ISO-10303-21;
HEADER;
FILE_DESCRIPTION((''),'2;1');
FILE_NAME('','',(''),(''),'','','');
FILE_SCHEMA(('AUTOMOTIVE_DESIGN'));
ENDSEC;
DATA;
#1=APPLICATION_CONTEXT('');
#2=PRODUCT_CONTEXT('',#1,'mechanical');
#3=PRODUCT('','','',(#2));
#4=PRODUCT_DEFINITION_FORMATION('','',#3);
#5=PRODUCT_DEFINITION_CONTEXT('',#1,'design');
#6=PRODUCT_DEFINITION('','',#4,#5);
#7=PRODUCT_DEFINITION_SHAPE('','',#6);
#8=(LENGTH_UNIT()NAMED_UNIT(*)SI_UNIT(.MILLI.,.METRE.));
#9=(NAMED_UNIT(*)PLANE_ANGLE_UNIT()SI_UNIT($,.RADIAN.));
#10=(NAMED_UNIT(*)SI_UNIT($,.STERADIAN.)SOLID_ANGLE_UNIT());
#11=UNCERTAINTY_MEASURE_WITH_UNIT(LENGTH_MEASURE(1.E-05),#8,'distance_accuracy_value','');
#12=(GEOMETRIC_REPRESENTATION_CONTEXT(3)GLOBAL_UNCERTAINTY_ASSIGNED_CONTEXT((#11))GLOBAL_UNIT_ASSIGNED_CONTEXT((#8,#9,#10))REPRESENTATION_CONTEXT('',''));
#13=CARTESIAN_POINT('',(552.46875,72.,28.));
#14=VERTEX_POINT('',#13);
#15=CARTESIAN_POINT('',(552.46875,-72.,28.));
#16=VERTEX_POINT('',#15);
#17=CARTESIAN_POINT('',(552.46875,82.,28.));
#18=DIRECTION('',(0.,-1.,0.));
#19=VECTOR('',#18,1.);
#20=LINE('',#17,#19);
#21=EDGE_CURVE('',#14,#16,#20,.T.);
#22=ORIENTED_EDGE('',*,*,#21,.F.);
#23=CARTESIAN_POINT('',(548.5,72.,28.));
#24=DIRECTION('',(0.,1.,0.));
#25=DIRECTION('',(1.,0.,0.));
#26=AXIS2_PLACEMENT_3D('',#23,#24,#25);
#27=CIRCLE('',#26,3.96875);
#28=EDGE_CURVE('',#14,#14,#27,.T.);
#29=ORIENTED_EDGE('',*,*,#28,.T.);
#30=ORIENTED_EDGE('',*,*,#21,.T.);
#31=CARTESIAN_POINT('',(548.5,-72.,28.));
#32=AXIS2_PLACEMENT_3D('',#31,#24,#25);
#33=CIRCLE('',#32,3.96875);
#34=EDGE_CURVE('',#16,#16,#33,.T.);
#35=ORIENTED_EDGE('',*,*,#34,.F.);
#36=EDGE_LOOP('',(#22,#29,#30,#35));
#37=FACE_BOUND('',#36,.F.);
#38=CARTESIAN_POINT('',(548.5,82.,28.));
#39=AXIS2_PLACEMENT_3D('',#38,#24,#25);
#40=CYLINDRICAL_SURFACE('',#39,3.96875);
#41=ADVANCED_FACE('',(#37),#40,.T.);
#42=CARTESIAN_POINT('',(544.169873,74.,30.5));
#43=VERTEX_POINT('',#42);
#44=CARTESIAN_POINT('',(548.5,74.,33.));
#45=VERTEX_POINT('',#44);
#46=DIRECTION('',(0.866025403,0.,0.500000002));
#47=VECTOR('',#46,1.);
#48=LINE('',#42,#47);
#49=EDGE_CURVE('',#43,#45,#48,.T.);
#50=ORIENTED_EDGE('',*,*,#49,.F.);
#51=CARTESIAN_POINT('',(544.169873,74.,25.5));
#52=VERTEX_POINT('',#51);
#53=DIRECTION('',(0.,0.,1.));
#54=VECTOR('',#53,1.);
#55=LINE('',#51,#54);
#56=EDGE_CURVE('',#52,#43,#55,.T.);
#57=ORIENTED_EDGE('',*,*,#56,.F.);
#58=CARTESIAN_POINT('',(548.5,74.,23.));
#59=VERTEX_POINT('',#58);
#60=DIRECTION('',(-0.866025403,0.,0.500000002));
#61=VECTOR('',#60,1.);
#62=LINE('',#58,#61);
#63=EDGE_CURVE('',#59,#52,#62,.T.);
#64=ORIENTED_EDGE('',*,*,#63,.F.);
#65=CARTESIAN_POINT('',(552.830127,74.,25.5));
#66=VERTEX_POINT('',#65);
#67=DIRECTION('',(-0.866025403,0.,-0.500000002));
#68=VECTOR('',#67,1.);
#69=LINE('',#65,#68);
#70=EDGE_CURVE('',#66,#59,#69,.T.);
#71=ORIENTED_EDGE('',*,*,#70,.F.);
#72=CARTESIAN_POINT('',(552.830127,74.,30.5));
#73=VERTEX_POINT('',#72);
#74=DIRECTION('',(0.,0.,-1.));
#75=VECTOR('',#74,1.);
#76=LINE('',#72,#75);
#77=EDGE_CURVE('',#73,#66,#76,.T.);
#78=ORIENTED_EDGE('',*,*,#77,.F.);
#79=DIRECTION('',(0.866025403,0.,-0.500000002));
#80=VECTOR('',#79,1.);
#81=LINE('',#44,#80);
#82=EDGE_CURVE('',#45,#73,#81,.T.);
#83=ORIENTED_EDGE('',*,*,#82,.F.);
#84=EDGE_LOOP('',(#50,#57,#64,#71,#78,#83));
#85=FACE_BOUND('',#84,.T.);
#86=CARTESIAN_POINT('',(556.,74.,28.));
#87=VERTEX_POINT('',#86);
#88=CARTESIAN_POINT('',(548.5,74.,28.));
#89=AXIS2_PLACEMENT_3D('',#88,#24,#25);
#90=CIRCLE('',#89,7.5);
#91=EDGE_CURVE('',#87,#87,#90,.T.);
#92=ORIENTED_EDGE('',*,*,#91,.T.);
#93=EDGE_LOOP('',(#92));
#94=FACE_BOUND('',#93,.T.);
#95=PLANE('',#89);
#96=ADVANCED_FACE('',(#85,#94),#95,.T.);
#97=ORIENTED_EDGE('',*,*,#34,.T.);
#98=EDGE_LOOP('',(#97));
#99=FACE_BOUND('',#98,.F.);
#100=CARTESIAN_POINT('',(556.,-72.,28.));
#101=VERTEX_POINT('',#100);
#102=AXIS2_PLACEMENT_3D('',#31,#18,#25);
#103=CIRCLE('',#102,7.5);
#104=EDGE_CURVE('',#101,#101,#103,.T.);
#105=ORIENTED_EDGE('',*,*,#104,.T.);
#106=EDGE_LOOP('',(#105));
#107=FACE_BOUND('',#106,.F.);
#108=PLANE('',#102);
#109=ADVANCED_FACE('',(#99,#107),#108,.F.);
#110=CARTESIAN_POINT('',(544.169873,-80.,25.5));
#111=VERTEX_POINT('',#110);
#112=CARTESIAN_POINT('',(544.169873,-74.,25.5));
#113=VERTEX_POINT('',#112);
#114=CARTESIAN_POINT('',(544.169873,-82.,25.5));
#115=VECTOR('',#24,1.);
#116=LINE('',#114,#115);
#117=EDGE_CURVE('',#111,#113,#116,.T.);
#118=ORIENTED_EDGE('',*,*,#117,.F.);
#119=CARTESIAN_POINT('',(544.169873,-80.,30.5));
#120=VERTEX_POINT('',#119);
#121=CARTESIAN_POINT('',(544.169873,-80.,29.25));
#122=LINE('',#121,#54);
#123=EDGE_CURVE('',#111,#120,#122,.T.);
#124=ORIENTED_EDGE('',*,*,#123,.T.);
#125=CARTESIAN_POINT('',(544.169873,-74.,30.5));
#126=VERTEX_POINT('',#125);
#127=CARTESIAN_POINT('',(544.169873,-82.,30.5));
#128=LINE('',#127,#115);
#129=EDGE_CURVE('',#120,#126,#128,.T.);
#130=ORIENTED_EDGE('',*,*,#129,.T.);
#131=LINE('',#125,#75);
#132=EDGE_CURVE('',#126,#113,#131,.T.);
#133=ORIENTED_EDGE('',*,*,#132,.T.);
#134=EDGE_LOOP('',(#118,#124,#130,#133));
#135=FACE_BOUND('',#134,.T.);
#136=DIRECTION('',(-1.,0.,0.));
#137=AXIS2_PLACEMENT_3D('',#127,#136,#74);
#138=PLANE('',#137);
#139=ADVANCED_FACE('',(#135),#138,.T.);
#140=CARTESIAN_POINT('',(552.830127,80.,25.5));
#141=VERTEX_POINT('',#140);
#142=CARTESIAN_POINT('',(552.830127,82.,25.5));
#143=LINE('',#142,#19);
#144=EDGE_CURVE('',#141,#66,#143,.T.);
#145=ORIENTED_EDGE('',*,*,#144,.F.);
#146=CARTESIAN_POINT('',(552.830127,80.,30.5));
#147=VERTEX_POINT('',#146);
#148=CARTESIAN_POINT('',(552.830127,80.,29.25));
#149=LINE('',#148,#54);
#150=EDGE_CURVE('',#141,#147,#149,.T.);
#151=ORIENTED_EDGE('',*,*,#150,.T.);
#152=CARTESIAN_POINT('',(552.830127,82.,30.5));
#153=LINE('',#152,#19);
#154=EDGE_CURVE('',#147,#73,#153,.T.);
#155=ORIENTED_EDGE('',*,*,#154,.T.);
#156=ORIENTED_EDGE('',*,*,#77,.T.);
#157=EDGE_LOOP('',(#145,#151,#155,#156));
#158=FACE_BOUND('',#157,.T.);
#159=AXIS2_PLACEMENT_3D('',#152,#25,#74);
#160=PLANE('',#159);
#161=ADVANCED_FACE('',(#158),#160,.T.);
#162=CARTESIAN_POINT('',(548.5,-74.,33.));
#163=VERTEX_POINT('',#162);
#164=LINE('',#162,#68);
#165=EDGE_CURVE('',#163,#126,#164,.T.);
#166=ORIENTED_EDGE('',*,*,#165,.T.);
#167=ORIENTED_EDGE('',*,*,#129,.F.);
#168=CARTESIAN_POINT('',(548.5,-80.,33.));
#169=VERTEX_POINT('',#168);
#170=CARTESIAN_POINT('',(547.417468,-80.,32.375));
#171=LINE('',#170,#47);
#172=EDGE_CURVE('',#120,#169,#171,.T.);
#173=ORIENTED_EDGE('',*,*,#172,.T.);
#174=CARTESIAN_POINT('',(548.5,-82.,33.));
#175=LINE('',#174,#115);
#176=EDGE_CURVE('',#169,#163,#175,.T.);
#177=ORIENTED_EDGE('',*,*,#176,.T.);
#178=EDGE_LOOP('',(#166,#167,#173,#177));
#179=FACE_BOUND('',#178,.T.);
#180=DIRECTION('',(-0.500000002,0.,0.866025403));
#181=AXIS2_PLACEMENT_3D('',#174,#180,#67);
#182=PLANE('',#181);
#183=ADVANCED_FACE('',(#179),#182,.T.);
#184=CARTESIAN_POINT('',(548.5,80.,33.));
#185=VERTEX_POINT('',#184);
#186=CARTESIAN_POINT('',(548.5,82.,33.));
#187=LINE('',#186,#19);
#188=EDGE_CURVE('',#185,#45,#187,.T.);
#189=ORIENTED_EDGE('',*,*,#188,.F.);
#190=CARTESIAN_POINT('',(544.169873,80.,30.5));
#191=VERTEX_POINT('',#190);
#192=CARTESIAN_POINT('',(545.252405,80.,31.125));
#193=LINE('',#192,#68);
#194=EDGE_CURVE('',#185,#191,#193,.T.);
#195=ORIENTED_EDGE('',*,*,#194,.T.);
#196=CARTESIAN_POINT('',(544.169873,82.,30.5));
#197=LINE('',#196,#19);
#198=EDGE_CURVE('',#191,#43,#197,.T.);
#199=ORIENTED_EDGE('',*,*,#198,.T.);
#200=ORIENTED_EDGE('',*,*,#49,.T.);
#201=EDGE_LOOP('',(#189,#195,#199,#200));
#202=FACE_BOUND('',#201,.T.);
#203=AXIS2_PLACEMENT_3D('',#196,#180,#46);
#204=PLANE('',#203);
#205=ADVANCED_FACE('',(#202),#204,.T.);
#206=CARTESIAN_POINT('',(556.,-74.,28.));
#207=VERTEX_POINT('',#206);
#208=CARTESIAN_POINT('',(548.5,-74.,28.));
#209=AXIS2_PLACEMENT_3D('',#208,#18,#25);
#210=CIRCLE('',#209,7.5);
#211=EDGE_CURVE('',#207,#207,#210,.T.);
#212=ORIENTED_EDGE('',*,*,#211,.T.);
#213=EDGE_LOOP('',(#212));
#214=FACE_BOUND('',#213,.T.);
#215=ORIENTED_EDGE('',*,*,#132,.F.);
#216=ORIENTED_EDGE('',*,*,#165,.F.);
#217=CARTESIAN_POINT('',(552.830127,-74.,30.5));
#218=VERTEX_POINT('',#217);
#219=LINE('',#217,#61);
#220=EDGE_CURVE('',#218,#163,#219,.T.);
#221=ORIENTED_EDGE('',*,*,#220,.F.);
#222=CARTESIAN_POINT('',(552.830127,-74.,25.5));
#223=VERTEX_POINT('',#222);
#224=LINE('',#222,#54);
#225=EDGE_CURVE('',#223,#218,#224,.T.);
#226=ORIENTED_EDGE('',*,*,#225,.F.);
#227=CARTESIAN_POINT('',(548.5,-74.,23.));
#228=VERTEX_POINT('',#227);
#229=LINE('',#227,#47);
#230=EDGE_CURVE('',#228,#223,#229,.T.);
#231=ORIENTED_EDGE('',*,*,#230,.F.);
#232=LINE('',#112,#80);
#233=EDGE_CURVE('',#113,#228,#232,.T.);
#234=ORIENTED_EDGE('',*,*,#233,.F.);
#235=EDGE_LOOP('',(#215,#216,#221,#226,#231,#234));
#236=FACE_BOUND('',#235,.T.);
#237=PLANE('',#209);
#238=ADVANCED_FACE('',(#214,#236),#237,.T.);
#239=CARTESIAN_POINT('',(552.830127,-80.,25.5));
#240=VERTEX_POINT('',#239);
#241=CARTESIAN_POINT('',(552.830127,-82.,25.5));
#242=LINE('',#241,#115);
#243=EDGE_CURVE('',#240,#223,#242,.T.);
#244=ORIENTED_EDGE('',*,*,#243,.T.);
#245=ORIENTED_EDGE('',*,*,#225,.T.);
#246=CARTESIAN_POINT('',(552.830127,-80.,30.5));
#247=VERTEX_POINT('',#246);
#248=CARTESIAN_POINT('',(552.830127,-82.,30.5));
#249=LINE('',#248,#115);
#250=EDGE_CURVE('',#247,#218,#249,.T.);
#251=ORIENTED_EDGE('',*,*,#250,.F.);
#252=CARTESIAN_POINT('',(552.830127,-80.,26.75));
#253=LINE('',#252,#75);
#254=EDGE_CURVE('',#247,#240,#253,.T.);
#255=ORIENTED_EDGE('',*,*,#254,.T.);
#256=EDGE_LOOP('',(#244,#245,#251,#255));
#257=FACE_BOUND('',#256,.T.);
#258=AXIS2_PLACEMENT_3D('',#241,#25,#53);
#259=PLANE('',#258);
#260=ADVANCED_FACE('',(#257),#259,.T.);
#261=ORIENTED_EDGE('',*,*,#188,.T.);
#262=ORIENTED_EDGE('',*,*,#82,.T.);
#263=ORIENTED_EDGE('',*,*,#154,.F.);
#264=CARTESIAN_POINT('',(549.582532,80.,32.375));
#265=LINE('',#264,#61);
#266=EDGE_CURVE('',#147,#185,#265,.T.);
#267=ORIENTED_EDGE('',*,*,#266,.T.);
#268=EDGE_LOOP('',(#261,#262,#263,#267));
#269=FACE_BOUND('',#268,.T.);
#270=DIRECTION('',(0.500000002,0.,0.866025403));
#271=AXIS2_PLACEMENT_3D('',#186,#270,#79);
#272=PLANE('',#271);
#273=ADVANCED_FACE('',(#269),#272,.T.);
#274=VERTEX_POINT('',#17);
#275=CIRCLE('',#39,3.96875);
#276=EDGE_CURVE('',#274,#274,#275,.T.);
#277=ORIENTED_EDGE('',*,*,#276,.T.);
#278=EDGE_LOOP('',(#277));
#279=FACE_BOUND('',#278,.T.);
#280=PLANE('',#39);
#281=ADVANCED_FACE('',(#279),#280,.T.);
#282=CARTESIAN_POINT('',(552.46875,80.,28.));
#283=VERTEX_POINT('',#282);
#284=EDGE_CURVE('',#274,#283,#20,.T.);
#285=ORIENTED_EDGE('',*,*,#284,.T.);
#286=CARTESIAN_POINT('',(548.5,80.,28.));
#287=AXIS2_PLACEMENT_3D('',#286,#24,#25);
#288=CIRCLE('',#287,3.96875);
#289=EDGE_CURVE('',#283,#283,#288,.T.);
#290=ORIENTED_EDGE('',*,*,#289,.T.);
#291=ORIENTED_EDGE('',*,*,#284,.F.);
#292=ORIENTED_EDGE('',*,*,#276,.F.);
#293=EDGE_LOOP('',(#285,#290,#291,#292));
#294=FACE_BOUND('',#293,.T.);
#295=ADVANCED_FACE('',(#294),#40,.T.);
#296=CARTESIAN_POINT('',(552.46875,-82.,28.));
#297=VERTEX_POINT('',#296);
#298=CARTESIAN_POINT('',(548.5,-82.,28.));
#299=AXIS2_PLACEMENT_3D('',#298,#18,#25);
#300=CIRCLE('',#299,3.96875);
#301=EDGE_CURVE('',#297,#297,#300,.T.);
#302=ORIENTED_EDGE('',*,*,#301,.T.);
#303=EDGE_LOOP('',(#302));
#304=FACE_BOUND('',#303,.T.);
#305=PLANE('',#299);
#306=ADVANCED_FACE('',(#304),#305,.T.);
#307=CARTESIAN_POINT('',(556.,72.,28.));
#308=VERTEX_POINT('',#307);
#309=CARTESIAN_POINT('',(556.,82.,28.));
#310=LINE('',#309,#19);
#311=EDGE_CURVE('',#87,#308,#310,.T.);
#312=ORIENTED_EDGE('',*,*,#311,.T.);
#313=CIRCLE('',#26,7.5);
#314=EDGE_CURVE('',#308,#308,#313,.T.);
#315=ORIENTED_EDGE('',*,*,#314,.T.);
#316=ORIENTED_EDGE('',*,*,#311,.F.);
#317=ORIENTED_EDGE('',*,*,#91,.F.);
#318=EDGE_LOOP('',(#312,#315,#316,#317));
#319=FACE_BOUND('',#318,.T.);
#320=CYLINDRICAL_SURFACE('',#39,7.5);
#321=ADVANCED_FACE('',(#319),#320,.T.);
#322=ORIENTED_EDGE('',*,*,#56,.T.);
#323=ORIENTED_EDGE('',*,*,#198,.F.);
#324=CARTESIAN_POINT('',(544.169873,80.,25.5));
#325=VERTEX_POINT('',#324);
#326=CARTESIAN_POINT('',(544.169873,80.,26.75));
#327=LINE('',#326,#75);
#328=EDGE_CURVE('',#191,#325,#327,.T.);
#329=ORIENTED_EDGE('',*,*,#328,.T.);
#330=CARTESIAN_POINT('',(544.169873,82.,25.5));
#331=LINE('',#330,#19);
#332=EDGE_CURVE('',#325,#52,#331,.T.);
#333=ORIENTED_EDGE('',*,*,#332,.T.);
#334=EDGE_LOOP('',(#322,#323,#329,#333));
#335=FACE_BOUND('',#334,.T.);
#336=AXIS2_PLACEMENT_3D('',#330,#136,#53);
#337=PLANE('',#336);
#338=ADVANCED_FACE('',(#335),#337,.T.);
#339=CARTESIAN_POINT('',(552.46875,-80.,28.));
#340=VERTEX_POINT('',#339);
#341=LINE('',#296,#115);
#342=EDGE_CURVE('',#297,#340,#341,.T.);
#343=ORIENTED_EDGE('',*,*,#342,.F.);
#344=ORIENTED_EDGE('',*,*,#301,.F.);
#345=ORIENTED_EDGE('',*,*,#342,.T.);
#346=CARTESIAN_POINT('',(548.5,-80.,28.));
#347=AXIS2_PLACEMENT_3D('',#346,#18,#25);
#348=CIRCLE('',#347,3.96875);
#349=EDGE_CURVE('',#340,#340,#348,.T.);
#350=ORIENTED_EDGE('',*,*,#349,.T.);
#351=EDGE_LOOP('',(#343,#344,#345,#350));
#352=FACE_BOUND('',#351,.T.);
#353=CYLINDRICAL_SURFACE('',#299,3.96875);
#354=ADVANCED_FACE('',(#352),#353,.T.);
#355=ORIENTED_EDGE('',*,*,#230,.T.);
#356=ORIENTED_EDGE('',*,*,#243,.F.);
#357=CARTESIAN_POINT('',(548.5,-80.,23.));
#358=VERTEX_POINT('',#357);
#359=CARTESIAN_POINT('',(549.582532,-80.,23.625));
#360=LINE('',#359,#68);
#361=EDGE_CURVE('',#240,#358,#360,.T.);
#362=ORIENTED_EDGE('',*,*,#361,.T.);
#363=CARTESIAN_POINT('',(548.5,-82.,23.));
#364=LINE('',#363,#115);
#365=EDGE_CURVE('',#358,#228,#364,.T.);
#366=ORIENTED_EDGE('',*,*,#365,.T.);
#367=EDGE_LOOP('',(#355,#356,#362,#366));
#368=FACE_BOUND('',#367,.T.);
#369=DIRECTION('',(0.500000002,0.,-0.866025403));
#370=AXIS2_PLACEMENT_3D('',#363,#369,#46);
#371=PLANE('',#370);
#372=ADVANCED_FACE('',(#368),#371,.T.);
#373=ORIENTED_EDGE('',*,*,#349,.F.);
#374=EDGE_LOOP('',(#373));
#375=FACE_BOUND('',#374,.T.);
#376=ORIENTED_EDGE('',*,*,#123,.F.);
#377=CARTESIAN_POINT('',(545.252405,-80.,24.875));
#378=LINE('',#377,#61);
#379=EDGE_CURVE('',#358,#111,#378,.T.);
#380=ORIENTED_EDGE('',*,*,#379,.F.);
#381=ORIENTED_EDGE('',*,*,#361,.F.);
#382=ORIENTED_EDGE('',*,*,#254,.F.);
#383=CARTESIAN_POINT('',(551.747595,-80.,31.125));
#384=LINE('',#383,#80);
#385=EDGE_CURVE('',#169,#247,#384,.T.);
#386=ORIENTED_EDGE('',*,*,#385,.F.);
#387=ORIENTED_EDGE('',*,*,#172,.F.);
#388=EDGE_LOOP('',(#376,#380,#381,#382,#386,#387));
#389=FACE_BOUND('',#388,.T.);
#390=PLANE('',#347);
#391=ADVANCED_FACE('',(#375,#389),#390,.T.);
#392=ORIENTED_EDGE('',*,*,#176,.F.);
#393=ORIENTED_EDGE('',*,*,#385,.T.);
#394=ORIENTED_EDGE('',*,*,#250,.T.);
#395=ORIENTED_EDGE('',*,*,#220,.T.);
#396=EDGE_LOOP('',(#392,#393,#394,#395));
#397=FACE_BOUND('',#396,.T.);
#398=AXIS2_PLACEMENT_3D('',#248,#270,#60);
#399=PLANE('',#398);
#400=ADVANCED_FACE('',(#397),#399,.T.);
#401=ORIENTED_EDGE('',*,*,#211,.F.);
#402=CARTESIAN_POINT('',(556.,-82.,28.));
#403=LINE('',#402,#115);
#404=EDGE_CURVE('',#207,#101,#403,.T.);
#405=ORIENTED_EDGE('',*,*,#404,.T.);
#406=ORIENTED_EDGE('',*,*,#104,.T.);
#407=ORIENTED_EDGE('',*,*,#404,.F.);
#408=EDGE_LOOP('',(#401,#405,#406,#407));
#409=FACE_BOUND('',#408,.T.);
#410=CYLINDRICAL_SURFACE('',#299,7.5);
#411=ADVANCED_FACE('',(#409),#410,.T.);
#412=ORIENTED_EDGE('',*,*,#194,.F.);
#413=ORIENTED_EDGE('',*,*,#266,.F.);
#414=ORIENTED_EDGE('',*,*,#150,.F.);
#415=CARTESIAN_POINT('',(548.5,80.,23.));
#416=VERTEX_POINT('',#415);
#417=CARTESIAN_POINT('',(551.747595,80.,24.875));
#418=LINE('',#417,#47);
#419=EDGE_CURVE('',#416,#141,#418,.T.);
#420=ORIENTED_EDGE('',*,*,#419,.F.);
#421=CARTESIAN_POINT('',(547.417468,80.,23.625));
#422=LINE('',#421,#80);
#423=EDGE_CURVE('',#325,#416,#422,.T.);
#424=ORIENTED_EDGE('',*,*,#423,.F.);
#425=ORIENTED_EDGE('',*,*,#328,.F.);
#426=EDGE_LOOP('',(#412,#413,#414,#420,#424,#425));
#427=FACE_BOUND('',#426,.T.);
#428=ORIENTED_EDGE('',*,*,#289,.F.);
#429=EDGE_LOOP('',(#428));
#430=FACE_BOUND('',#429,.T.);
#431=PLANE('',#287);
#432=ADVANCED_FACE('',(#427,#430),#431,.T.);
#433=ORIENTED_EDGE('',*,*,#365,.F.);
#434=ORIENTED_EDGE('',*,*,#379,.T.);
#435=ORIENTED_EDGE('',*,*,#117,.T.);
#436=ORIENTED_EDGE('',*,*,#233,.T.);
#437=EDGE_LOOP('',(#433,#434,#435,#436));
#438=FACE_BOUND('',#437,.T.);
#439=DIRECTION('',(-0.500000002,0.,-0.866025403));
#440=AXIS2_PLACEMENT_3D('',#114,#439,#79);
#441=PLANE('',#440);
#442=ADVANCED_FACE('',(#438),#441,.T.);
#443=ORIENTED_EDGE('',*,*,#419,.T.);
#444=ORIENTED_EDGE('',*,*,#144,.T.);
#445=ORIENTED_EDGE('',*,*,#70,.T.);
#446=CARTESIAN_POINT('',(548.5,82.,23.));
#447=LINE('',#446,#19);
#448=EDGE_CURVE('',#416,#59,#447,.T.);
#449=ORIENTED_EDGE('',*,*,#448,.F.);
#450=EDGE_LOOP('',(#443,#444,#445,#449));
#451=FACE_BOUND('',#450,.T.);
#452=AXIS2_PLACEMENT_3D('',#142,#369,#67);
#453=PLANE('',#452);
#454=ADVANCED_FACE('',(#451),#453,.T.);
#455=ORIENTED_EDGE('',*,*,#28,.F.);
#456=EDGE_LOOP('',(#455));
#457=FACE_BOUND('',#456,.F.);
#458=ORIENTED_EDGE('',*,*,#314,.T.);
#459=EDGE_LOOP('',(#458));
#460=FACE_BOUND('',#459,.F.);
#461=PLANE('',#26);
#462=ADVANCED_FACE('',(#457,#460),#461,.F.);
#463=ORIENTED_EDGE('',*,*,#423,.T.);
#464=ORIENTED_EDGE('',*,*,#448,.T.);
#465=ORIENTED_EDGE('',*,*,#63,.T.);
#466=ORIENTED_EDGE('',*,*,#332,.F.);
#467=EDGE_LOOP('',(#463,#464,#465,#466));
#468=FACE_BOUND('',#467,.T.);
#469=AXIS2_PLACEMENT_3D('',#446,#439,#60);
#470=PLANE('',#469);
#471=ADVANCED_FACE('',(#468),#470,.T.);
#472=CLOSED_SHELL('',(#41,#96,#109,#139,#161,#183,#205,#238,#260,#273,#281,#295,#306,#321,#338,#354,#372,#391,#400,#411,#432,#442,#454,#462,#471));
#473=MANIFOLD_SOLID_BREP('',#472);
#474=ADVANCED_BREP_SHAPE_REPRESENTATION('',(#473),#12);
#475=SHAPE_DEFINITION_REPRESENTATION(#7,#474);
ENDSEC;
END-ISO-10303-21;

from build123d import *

# Parameters (mm, degrees)
SKETCH013_R     = 3.96875
PAD009_DEPTH    = 164
SKETCH014_R     = 7.5
PAD010_DEPTH    = 10
SKETCH015_R     = 7.5
POCKET003_DEPTH = 8
SKETCH016_R     = 7.5
SKETCH016_R_2   = 3.96875
POCKET004_DEPTH = 2
SKETCH017_R     = 7.5
PAD011_DEPTH    = 10
SKETCH018_R     = 7.5
POCKET005_DEPTH = 8
SKETCH019_R     = 7.5
SKETCH019_R_2   = 3.96875
POCKET006_DEPTH = 2


with BuildPart() as part:
    # Sketch013 → Pad009 (new body)
    with BuildSketch(Plane(origin=(500, 82, 56), x_dir=(1, 0, 0), z_dir=(0, -1, 0))):
        Circle(SKETCH013_R)
    extrude(amount=PAD009_DEPTH)

    # Sketch014 → Pad010 (new body)
    with BuildSketch(Plane(origin=(500, 82, 56), x_dir=(1, 0, 0), z_dir=(0, 1, 0))):
        Circle(SKETCH014_R)
    extrude(amount=-PAD010_DEPTH)

    # Sketch015 → Pocket003 (cut)
    with BuildSketch(Plane(origin=(500, 82, 56), x_dir=(1, 0, 0), z_dir=(0, 1, 0))):
        Circle(SKETCH015_R)
        Polygon((0, 5), (-4.330127, 2.5), (-4.330127, -2.5), (0, -5), (4.330127, -2.5), (4.330127, 2.5), align=None, mode=Mode.SUBTRACT)
    extrude(amount=-POCKET003_DEPTH, mode=Mode.SUBTRACT)

    # Sketch016 → Pocket004 (cut)
    with BuildSketch(Plane(origin=(500, 82, 56), x_dir=(1, 0, 0), z_dir=(0, 1, 0))):
        Circle(SKETCH016_R)
        Circle(SKETCH016_R_2, mode=Mode.SUBTRACT)
    extrude(amount=-POCKET004_DEPTH, mode=Mode.SUBTRACT)

    # Sketch017 → Pad011 (new body)
    with BuildSketch(Plane(origin=(500, -82, 56), x_dir=(1, 0, 0), z_dir=(0, -1, 0))):
        Circle(SKETCH017_R)
    extrude(amount=-PAD011_DEPTH)

    # Sketch018 → Pocket005 (cut)
    with BuildSketch(Plane(origin=(500, -82, 56), x_dir=(1, 0, 0), z_dir=(0, -1, 0))):
        Circle(SKETCH018_R)
        Polygon((0, 5), (-4.330127, 2.5), (-4.330127, -2.5), (0, -5), (4.330127, -2.5), (4.330127, 2.5), align=None, mode=Mode.SUBTRACT)
    extrude(amount=-POCKET005_DEPTH, mode=Mode.SUBTRACT)

    # Sketch019 → Pocket006 (cut)
    with BuildSketch(Plane(origin=(500, -82, 56), x_dir=(1, 0, 0), z_dir=(0, -1, 0))):
        Circle(SKETCH019_R)
        Circle(SKETCH019_R_2, mode=Mode.SUBTRACT)
    extrude(amount=-POCKET006_DEPTH, mode=Mode.SUBTRACT)


with BuildPart() as part_1:
    # Clone011 placement: moved
    add(part.part.moved(Location((48.5, 0, -28))))


solid = part_1.part
